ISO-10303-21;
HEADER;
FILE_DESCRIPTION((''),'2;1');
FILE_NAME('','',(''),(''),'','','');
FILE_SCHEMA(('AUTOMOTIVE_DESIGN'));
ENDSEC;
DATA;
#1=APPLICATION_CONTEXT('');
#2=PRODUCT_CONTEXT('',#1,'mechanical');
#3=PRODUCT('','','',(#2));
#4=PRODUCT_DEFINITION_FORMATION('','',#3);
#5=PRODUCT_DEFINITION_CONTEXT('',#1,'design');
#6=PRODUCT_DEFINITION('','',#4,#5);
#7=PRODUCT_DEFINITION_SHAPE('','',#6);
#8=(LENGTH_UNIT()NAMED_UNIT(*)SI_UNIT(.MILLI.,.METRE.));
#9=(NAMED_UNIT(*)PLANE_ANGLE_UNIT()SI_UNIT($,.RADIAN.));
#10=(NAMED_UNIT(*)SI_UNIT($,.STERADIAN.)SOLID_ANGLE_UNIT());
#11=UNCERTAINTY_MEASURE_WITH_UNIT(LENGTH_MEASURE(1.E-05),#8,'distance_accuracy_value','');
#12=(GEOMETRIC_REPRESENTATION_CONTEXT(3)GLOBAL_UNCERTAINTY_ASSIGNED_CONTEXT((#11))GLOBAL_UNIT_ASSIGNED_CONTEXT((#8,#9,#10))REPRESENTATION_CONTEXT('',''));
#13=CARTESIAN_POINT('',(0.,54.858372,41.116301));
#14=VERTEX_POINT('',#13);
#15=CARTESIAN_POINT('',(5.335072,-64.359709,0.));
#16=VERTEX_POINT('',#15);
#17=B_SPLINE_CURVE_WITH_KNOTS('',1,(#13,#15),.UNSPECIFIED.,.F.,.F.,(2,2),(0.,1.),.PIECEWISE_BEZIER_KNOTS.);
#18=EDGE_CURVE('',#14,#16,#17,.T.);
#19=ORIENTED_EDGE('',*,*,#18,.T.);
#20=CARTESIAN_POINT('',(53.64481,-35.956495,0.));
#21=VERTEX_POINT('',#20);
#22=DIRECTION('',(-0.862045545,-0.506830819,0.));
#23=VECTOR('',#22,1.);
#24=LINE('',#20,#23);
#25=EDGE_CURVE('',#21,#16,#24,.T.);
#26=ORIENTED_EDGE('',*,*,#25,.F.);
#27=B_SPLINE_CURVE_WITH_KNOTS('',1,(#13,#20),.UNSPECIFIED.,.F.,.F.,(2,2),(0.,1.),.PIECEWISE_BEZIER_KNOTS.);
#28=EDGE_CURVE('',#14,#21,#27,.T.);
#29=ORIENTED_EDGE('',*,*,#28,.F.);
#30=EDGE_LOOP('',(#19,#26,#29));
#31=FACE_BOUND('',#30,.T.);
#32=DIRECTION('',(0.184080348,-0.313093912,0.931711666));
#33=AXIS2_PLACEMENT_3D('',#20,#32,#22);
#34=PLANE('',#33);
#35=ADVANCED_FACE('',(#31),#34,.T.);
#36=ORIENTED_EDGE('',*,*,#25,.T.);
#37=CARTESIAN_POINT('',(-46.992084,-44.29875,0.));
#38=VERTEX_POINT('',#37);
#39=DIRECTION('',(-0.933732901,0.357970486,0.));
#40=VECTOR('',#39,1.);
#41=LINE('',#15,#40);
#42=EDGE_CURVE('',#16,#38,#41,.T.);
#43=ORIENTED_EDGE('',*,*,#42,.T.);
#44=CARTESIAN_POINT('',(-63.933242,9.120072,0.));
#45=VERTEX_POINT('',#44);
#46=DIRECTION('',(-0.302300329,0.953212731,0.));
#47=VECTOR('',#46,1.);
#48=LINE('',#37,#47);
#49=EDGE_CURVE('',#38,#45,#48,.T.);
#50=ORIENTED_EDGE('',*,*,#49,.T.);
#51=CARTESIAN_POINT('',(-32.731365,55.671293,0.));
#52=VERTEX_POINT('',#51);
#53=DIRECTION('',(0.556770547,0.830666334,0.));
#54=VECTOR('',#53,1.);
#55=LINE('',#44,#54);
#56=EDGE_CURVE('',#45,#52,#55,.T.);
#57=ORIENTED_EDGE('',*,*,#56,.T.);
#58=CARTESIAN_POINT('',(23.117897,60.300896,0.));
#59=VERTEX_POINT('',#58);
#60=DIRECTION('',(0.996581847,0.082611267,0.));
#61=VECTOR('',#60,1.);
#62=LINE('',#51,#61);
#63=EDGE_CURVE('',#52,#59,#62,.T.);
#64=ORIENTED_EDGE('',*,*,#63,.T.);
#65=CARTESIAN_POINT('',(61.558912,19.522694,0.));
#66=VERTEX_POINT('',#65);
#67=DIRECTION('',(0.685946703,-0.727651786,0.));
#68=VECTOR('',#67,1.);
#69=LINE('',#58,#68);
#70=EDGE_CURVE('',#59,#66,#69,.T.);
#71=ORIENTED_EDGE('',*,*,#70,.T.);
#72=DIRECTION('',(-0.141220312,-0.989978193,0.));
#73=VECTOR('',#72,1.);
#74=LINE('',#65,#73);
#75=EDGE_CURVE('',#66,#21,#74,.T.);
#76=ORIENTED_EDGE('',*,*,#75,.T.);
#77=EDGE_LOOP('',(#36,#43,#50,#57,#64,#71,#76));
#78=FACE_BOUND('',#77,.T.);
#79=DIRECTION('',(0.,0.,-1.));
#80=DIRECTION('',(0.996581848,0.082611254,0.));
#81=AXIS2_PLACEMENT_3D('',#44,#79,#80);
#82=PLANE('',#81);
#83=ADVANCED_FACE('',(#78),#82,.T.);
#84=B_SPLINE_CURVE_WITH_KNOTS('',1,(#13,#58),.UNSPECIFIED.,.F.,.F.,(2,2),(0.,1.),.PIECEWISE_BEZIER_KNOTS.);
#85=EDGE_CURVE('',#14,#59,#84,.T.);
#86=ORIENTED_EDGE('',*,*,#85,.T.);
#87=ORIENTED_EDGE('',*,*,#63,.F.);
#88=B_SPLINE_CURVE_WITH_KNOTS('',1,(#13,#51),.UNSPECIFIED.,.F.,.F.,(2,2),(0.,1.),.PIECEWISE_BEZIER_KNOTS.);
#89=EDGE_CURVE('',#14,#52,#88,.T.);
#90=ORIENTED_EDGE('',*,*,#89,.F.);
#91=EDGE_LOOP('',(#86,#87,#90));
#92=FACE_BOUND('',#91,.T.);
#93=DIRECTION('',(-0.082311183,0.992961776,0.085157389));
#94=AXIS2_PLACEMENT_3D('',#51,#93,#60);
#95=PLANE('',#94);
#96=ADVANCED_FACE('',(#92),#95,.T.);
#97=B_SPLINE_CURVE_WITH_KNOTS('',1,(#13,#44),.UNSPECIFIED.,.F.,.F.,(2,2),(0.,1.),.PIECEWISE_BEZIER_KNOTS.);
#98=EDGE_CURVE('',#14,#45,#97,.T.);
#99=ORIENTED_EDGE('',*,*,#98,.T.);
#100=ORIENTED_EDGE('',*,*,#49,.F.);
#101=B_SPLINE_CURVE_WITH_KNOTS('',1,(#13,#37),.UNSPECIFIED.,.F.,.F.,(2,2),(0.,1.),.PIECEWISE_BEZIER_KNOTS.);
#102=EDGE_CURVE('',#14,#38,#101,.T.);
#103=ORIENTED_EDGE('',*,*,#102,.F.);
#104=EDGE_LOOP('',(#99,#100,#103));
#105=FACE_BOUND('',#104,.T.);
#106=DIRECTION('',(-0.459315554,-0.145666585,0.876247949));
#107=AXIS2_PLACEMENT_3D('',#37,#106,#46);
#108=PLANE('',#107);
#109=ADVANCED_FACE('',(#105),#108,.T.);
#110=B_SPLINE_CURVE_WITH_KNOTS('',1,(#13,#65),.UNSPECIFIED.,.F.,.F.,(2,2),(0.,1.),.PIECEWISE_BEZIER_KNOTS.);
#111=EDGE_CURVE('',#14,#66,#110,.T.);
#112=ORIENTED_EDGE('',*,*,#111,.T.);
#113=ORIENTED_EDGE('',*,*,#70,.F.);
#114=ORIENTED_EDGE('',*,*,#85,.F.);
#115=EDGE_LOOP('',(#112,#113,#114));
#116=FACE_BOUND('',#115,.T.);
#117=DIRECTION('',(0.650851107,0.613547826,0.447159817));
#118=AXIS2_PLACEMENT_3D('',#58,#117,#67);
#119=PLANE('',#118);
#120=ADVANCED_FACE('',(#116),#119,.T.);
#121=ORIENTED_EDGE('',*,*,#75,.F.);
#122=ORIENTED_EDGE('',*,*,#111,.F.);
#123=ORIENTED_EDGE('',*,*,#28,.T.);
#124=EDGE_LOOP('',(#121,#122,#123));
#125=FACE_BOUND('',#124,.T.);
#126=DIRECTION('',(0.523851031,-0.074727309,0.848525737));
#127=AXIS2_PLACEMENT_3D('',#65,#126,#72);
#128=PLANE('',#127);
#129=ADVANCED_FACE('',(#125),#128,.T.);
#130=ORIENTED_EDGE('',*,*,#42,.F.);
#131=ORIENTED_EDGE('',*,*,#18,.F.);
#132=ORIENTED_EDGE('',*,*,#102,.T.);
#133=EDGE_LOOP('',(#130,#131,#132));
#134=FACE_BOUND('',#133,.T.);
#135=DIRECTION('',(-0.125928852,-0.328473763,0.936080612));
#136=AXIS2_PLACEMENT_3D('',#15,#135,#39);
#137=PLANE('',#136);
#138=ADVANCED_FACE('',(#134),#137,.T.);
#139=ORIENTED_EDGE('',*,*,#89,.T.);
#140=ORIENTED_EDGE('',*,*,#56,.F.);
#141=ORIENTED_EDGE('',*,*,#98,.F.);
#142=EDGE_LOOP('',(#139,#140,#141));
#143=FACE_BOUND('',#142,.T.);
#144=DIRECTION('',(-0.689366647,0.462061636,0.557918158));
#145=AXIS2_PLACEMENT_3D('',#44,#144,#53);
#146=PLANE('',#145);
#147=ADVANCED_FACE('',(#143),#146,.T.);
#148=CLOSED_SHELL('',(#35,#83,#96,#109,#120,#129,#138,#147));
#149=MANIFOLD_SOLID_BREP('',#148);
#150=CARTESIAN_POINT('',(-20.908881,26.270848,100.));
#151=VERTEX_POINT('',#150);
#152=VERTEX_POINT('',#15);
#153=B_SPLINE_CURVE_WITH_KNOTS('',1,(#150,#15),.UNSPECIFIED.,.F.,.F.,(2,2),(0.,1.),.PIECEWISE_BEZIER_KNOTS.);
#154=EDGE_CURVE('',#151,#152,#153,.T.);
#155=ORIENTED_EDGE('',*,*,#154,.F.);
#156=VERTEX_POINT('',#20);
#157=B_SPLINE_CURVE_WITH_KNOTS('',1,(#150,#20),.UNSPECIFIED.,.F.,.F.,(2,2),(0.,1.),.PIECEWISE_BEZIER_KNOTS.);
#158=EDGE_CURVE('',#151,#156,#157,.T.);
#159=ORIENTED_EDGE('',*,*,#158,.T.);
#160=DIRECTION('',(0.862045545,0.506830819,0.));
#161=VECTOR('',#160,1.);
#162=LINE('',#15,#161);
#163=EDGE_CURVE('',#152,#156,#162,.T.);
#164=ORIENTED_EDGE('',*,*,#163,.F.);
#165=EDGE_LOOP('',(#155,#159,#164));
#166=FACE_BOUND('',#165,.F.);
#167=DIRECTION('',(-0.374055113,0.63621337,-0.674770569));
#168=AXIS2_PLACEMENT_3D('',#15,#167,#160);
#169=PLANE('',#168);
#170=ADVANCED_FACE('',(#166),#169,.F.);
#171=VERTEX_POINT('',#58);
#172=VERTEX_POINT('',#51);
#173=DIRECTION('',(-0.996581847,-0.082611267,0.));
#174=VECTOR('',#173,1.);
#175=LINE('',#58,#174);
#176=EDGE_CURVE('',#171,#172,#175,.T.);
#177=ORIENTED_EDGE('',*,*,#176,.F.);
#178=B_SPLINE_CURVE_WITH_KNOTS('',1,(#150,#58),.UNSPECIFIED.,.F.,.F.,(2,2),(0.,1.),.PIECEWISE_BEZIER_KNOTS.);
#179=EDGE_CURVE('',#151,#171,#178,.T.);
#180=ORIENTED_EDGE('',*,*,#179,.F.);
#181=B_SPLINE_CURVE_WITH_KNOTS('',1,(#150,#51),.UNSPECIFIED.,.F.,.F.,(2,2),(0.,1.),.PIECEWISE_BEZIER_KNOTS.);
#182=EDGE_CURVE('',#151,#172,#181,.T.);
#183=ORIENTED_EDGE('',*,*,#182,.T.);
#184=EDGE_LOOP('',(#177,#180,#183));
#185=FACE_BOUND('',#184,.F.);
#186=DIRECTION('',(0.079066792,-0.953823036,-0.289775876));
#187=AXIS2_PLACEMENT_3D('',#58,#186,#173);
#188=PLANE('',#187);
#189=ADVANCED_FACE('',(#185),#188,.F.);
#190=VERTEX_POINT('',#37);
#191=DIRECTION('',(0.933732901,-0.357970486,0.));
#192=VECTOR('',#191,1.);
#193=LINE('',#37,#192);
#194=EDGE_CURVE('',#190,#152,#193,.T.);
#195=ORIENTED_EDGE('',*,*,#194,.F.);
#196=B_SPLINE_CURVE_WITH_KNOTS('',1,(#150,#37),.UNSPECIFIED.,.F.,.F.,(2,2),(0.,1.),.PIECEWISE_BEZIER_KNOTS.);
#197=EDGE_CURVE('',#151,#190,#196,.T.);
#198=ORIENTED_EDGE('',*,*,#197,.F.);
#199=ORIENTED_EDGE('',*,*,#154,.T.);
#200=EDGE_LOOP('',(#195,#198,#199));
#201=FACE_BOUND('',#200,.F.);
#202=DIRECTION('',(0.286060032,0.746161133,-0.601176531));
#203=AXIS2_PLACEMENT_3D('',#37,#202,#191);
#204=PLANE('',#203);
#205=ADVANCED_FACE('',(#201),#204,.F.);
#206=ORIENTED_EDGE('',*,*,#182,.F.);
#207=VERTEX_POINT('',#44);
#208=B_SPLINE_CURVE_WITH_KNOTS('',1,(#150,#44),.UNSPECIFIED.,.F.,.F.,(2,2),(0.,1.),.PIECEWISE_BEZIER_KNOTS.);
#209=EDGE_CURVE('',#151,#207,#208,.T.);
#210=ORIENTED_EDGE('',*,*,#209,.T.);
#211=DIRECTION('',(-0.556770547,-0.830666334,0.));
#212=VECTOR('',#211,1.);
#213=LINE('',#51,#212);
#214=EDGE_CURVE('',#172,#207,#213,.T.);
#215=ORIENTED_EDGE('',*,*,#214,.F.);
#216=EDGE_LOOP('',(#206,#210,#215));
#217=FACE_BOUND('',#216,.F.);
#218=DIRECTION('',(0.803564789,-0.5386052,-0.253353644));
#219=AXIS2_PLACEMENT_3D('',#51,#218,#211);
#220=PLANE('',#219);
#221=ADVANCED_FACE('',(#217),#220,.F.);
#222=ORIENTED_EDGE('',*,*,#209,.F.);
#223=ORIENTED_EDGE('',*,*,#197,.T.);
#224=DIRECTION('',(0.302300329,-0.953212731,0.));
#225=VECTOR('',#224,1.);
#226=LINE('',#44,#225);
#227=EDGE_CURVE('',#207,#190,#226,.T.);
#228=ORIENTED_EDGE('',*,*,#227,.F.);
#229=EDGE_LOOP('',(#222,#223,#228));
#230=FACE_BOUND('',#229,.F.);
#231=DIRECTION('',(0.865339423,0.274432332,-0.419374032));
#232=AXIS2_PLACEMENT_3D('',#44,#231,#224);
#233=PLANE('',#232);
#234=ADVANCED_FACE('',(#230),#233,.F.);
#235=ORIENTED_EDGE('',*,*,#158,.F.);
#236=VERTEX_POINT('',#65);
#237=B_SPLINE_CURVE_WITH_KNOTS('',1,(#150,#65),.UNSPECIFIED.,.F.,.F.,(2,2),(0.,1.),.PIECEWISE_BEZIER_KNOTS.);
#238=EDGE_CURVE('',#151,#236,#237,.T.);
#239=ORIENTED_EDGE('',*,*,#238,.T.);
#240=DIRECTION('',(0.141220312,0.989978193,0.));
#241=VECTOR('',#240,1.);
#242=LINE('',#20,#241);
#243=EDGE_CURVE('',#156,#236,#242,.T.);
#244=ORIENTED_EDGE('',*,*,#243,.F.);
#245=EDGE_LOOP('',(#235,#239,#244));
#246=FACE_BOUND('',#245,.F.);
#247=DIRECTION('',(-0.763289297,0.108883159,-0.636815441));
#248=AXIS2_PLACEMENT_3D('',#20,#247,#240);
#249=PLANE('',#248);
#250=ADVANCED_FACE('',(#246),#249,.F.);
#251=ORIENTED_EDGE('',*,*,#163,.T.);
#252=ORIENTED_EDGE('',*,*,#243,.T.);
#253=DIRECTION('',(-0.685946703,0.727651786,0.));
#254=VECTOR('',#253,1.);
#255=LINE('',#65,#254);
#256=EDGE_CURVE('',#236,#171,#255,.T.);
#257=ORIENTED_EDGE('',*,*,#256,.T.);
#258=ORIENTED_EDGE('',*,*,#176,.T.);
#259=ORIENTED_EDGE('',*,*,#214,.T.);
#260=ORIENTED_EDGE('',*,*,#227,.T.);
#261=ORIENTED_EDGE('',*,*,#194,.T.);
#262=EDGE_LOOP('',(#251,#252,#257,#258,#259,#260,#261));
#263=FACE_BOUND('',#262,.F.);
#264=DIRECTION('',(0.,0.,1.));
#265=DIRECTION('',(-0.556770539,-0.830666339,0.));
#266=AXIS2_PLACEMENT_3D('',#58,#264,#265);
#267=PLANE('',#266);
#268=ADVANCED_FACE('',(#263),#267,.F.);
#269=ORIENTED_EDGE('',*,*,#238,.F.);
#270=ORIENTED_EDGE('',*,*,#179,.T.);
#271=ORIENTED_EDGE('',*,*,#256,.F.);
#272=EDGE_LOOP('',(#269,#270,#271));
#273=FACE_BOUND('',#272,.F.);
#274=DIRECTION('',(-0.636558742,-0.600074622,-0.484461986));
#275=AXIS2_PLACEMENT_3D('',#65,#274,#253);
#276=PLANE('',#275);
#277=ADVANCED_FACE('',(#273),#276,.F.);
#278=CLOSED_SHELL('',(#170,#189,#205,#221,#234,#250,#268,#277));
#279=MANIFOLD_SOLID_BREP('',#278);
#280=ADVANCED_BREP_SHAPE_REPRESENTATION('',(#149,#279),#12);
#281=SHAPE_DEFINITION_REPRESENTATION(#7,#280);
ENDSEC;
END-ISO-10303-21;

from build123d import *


with BuildPart() as f3:
    # F0 (on Top) → F3 section 0
    with BuildSketch(Plane.XY, mode=Mode.PRIVATE) as f3_s0:
        Polygon((23.117897, 60.300896), (-32.731365, 55.671293), (-63.933242, 9.120072), (-46.992084, -44.29875), (5.335072, -64.359709), (53.64481, -35.956495), (61.558912, 19.522694), align=None)
    loft([Vertex(-20.908881, 26.270848, 100), f3_s0.sketch])


with BuildPart() as f5:
    # F3_face (on face) → F5 section 0
    with BuildSketch(Plane(origin=(0, 0, 0), x_dir=(1, 0, 0), z_dir=(0, 0, -1)), mode=Mode.PRIVATE) as f5_s0:
        Polygon((-63.933242, -9.120072), (-32.731365, -55.671293), (23.117897, -60.300896), (61.558912, -19.522694), (53.64481, 35.956495), (5.335072, 64.359709), (-46.992084, 44.29875), align=None)
    loft([Vertex(0, 54.858372, 41.116301), f5_s0.sketch])


solid = Compound([f3.part, f5.part])
